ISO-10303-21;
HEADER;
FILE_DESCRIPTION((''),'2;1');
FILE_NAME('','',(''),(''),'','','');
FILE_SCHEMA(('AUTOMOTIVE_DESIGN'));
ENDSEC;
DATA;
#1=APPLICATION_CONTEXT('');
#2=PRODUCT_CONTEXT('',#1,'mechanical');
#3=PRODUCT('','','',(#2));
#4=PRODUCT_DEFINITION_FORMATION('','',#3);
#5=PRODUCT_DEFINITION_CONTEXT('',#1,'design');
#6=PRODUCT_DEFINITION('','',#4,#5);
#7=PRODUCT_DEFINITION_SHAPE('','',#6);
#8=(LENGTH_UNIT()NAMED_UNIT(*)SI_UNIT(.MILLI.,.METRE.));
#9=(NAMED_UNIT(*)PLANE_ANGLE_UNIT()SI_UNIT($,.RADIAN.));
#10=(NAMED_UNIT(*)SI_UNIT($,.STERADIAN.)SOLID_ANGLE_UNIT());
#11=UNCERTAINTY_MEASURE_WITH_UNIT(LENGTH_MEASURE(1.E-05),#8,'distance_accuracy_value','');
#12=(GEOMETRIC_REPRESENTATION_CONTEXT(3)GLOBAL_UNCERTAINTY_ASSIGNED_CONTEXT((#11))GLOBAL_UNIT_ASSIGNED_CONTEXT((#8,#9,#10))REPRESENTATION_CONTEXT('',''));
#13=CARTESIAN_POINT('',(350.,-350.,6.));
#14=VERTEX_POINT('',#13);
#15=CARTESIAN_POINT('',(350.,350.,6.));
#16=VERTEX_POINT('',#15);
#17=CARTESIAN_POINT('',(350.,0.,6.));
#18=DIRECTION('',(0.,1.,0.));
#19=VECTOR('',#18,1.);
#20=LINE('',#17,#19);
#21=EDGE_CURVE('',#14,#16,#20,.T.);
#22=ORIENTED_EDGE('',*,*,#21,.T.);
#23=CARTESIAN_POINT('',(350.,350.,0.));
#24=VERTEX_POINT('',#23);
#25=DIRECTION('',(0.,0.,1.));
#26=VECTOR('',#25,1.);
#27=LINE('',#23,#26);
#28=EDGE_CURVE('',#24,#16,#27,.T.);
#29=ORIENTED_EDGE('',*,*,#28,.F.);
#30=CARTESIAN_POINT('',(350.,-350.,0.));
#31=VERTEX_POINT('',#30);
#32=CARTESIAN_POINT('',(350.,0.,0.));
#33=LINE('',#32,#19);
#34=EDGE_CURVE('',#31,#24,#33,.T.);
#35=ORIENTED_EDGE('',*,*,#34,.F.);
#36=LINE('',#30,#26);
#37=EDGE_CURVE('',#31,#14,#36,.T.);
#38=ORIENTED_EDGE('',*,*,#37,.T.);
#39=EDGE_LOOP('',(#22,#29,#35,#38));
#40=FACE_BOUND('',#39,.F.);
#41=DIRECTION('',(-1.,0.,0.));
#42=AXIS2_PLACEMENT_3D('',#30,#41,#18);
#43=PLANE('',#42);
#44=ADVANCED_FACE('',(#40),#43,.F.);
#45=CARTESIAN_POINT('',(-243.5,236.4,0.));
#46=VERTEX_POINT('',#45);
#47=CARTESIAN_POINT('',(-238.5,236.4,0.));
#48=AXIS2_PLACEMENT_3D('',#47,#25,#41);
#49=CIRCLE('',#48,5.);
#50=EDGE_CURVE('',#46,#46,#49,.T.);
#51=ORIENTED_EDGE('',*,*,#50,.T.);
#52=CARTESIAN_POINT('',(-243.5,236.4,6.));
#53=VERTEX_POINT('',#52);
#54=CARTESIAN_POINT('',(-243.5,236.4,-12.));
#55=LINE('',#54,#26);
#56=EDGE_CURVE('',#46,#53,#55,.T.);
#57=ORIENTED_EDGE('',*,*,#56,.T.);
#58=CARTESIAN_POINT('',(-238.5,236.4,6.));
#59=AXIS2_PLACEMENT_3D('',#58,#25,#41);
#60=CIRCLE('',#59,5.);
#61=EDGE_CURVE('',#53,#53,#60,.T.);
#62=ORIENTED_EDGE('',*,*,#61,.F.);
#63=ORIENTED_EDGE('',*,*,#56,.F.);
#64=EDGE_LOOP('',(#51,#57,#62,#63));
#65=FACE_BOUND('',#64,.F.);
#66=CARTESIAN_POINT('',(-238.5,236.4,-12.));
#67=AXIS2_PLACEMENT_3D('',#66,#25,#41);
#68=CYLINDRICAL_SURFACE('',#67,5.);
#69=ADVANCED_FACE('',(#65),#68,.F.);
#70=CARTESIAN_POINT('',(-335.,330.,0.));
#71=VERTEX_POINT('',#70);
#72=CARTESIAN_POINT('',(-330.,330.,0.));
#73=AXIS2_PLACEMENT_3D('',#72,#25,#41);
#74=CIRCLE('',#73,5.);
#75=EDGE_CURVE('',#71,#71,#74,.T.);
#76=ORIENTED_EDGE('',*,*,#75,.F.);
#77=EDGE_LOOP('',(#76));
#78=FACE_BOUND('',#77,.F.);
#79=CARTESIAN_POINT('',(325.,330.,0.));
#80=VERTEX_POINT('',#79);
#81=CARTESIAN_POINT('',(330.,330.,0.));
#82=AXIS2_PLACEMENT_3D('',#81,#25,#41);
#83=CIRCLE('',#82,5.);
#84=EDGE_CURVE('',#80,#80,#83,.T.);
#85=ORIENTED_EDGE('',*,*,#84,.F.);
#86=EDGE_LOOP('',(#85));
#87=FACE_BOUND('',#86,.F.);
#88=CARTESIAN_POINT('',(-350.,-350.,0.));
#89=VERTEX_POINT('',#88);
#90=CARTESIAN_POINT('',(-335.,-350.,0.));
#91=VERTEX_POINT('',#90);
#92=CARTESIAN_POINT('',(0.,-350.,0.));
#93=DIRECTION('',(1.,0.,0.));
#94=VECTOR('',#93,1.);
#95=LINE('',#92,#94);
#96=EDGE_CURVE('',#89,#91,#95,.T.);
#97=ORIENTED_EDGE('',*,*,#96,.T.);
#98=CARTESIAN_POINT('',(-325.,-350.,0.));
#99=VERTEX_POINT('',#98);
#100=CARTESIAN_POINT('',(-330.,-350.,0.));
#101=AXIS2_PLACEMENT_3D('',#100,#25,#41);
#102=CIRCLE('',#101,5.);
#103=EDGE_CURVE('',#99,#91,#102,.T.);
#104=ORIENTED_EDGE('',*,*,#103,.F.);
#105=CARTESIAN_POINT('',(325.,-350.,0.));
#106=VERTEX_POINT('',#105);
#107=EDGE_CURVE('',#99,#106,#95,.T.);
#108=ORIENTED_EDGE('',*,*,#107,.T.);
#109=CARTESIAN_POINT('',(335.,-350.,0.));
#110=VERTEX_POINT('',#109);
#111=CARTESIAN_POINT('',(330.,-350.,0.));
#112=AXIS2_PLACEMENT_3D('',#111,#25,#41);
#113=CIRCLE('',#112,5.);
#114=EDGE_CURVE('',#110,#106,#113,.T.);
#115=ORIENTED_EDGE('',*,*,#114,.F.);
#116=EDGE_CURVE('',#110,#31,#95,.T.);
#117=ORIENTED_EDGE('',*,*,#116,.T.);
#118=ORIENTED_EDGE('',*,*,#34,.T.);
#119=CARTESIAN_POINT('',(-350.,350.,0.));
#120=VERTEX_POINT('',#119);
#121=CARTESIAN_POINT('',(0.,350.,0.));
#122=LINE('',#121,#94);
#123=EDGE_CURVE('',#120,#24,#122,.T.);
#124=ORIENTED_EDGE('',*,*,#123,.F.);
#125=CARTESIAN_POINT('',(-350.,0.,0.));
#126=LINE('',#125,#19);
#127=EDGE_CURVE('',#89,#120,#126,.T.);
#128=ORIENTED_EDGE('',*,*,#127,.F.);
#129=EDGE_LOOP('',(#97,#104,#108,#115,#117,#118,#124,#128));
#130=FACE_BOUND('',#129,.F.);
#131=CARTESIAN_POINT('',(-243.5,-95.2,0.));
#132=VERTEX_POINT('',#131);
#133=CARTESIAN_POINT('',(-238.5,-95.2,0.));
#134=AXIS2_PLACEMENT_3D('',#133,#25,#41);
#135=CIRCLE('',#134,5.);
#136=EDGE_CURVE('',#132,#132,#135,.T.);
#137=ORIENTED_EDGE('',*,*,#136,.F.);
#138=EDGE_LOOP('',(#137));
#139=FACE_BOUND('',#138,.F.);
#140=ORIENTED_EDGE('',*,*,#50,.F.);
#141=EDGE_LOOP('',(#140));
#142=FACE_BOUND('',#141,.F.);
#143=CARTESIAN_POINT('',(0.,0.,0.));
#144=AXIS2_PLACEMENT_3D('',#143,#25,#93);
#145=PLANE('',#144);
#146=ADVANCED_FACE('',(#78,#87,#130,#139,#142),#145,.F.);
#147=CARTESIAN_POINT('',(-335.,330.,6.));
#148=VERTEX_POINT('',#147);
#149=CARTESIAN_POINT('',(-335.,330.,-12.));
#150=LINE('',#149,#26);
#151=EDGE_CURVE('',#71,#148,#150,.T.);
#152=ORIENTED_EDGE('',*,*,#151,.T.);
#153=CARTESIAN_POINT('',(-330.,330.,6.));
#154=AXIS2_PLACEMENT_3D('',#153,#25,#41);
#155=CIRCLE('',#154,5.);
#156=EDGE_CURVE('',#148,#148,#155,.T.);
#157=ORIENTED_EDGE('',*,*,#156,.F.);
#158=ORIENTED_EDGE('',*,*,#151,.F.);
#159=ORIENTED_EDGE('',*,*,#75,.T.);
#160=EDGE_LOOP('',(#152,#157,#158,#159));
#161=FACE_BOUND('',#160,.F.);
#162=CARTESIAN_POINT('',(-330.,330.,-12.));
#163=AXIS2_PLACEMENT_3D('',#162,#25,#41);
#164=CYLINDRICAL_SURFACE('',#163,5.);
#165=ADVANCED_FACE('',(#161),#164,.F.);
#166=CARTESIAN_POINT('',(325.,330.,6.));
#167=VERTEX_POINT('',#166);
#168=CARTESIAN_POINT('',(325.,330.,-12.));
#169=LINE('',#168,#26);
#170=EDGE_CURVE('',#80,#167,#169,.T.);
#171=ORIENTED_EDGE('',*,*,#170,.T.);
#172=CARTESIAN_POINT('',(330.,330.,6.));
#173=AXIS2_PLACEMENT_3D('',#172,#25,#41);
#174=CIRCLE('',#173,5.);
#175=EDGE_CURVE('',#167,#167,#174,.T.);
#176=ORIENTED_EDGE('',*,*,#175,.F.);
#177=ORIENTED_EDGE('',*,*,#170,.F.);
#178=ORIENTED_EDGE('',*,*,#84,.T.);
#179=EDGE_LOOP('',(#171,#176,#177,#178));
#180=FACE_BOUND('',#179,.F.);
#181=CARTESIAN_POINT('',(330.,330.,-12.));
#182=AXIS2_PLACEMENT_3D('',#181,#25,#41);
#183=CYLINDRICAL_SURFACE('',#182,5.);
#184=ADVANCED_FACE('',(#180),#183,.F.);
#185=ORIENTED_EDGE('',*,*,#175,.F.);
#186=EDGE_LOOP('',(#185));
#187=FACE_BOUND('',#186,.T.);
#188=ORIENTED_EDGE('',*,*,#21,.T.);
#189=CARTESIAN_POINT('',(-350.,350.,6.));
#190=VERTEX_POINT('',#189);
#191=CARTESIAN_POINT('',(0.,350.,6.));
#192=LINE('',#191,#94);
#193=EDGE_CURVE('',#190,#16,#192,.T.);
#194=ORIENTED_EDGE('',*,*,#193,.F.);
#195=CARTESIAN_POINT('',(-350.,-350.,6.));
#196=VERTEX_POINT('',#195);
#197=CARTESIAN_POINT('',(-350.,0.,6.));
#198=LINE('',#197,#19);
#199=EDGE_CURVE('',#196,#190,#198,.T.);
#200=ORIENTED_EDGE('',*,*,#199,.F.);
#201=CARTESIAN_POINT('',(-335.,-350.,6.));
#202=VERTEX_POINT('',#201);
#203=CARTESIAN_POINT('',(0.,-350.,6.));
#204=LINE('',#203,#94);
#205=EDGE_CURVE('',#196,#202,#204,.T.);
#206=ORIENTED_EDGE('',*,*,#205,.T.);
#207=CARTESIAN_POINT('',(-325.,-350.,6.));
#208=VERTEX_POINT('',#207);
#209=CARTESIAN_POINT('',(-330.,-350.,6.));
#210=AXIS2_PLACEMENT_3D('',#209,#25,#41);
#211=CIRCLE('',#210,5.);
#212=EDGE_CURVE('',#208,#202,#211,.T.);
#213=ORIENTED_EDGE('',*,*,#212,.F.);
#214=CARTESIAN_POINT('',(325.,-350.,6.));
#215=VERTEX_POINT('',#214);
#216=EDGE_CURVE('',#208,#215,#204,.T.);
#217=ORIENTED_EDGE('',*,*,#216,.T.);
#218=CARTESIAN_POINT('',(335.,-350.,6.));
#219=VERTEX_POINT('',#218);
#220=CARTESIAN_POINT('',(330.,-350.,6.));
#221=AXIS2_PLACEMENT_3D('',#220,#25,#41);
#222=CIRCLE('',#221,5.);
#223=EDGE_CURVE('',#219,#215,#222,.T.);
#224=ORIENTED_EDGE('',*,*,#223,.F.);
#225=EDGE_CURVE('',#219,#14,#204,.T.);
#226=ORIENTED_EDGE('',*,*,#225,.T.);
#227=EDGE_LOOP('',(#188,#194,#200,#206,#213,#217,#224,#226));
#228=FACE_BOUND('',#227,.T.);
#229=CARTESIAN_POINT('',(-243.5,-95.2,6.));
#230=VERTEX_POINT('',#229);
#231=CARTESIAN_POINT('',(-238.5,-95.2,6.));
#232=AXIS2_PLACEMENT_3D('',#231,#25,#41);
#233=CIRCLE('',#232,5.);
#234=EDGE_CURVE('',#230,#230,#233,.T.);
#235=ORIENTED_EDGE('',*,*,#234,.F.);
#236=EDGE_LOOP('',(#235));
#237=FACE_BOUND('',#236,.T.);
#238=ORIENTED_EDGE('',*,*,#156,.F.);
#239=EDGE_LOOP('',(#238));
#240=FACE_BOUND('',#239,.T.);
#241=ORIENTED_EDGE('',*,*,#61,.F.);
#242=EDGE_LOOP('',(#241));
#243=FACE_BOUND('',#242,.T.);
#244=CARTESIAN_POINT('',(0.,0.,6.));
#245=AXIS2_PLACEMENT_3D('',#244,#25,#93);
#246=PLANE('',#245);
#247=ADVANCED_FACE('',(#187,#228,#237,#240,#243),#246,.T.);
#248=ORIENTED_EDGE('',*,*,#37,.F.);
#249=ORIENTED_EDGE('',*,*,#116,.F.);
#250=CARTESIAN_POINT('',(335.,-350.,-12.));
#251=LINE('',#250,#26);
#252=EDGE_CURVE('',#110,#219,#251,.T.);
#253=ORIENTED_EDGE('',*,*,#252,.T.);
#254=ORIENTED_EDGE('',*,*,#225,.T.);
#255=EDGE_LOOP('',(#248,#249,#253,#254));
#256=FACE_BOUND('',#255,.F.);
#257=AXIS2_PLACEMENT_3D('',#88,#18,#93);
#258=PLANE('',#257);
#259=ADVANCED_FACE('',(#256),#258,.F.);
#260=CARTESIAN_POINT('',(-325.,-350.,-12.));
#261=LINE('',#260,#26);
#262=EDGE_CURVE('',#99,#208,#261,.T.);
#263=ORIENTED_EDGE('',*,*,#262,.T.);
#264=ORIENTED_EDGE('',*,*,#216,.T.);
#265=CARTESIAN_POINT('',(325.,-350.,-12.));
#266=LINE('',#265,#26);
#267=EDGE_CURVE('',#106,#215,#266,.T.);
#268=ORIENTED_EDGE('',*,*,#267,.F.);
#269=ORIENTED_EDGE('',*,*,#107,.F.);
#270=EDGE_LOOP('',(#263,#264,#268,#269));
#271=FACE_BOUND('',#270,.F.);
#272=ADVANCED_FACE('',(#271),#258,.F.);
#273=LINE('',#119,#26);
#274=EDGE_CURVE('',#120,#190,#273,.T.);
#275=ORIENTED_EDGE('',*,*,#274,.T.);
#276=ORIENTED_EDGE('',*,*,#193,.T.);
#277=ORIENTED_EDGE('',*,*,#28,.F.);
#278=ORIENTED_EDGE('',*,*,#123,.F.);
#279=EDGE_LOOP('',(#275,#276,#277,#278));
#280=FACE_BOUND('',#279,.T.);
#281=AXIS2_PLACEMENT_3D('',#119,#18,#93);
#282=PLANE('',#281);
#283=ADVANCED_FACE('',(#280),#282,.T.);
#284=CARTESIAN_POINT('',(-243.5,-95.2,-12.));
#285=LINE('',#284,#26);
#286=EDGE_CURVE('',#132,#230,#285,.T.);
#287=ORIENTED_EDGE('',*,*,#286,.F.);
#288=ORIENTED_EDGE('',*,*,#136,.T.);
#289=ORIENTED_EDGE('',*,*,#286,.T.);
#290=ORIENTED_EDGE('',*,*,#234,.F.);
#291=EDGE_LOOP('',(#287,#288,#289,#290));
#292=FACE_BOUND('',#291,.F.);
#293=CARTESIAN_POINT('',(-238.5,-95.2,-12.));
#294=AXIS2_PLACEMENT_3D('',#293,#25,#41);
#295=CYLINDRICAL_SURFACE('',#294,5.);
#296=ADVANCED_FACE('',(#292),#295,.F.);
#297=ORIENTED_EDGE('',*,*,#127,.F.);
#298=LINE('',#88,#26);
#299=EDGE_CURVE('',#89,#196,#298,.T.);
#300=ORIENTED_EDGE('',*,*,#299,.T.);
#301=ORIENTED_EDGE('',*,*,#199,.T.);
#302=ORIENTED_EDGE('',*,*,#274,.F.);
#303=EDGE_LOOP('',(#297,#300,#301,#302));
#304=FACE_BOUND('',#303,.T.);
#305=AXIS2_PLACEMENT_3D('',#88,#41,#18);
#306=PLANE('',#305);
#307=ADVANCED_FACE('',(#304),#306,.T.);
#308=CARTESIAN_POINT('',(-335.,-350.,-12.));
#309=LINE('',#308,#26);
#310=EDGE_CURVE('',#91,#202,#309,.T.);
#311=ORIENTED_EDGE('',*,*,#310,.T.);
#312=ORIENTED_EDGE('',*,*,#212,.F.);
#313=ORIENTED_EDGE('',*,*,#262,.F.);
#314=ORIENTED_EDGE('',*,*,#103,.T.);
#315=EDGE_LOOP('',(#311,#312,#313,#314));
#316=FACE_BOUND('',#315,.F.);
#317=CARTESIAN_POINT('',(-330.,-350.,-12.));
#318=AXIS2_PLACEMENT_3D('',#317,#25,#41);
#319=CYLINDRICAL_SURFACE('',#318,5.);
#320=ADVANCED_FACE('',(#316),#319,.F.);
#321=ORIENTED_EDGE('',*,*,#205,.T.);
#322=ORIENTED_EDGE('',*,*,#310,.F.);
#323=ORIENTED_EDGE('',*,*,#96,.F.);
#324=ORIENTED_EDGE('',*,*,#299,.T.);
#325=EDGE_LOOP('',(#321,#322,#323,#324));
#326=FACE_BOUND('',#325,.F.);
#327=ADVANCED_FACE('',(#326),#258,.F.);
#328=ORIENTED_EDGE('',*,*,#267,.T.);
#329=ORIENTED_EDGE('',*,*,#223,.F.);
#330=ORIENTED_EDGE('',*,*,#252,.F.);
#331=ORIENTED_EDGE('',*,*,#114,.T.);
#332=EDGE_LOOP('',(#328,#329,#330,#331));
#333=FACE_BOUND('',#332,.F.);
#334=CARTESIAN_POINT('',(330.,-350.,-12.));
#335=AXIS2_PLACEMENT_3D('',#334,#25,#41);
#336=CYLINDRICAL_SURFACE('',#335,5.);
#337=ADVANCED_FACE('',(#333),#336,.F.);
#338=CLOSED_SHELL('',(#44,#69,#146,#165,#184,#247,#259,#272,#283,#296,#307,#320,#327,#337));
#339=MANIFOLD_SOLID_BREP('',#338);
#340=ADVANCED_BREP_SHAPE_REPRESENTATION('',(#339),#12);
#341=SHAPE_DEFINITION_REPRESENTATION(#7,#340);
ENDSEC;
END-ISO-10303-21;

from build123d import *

# Parameters (mm, degrees)
F0_W     = 700
F0_H     = 700
F1_DEPTH = 6
F2_D     = 10
F2_DEPTH = 12
F2_TIP   = 3.0043030951


with BuildPart() as f1:
    # F0 (on Top) → F1 (new body)
    with BuildSketch(Plane.XY):
        Rectangle(F0_W, F0_H)
    extrude(amount=F1_DEPTH)

    # F2
    with Locations(Plane(origin=(0, 0, 0), x_dir=(1, 0, 0), z_dir=(0, 0, -1))):
        with Locations((-330, -330), (330, -330), (330, 350), (-330, 350), (-238.5, -236.4), (-238.5, 95.2)):
            Hole(F2_D / 2, depth=F2_DEPTH)
            with Locations((0, 0, -(F2_DEPTH + F2_TIP / 2))):  # 118° drill point
                Cone(0, F2_D / 2, F2_TIP, mode=Mode.SUBTRACT)


solid = f1.part
